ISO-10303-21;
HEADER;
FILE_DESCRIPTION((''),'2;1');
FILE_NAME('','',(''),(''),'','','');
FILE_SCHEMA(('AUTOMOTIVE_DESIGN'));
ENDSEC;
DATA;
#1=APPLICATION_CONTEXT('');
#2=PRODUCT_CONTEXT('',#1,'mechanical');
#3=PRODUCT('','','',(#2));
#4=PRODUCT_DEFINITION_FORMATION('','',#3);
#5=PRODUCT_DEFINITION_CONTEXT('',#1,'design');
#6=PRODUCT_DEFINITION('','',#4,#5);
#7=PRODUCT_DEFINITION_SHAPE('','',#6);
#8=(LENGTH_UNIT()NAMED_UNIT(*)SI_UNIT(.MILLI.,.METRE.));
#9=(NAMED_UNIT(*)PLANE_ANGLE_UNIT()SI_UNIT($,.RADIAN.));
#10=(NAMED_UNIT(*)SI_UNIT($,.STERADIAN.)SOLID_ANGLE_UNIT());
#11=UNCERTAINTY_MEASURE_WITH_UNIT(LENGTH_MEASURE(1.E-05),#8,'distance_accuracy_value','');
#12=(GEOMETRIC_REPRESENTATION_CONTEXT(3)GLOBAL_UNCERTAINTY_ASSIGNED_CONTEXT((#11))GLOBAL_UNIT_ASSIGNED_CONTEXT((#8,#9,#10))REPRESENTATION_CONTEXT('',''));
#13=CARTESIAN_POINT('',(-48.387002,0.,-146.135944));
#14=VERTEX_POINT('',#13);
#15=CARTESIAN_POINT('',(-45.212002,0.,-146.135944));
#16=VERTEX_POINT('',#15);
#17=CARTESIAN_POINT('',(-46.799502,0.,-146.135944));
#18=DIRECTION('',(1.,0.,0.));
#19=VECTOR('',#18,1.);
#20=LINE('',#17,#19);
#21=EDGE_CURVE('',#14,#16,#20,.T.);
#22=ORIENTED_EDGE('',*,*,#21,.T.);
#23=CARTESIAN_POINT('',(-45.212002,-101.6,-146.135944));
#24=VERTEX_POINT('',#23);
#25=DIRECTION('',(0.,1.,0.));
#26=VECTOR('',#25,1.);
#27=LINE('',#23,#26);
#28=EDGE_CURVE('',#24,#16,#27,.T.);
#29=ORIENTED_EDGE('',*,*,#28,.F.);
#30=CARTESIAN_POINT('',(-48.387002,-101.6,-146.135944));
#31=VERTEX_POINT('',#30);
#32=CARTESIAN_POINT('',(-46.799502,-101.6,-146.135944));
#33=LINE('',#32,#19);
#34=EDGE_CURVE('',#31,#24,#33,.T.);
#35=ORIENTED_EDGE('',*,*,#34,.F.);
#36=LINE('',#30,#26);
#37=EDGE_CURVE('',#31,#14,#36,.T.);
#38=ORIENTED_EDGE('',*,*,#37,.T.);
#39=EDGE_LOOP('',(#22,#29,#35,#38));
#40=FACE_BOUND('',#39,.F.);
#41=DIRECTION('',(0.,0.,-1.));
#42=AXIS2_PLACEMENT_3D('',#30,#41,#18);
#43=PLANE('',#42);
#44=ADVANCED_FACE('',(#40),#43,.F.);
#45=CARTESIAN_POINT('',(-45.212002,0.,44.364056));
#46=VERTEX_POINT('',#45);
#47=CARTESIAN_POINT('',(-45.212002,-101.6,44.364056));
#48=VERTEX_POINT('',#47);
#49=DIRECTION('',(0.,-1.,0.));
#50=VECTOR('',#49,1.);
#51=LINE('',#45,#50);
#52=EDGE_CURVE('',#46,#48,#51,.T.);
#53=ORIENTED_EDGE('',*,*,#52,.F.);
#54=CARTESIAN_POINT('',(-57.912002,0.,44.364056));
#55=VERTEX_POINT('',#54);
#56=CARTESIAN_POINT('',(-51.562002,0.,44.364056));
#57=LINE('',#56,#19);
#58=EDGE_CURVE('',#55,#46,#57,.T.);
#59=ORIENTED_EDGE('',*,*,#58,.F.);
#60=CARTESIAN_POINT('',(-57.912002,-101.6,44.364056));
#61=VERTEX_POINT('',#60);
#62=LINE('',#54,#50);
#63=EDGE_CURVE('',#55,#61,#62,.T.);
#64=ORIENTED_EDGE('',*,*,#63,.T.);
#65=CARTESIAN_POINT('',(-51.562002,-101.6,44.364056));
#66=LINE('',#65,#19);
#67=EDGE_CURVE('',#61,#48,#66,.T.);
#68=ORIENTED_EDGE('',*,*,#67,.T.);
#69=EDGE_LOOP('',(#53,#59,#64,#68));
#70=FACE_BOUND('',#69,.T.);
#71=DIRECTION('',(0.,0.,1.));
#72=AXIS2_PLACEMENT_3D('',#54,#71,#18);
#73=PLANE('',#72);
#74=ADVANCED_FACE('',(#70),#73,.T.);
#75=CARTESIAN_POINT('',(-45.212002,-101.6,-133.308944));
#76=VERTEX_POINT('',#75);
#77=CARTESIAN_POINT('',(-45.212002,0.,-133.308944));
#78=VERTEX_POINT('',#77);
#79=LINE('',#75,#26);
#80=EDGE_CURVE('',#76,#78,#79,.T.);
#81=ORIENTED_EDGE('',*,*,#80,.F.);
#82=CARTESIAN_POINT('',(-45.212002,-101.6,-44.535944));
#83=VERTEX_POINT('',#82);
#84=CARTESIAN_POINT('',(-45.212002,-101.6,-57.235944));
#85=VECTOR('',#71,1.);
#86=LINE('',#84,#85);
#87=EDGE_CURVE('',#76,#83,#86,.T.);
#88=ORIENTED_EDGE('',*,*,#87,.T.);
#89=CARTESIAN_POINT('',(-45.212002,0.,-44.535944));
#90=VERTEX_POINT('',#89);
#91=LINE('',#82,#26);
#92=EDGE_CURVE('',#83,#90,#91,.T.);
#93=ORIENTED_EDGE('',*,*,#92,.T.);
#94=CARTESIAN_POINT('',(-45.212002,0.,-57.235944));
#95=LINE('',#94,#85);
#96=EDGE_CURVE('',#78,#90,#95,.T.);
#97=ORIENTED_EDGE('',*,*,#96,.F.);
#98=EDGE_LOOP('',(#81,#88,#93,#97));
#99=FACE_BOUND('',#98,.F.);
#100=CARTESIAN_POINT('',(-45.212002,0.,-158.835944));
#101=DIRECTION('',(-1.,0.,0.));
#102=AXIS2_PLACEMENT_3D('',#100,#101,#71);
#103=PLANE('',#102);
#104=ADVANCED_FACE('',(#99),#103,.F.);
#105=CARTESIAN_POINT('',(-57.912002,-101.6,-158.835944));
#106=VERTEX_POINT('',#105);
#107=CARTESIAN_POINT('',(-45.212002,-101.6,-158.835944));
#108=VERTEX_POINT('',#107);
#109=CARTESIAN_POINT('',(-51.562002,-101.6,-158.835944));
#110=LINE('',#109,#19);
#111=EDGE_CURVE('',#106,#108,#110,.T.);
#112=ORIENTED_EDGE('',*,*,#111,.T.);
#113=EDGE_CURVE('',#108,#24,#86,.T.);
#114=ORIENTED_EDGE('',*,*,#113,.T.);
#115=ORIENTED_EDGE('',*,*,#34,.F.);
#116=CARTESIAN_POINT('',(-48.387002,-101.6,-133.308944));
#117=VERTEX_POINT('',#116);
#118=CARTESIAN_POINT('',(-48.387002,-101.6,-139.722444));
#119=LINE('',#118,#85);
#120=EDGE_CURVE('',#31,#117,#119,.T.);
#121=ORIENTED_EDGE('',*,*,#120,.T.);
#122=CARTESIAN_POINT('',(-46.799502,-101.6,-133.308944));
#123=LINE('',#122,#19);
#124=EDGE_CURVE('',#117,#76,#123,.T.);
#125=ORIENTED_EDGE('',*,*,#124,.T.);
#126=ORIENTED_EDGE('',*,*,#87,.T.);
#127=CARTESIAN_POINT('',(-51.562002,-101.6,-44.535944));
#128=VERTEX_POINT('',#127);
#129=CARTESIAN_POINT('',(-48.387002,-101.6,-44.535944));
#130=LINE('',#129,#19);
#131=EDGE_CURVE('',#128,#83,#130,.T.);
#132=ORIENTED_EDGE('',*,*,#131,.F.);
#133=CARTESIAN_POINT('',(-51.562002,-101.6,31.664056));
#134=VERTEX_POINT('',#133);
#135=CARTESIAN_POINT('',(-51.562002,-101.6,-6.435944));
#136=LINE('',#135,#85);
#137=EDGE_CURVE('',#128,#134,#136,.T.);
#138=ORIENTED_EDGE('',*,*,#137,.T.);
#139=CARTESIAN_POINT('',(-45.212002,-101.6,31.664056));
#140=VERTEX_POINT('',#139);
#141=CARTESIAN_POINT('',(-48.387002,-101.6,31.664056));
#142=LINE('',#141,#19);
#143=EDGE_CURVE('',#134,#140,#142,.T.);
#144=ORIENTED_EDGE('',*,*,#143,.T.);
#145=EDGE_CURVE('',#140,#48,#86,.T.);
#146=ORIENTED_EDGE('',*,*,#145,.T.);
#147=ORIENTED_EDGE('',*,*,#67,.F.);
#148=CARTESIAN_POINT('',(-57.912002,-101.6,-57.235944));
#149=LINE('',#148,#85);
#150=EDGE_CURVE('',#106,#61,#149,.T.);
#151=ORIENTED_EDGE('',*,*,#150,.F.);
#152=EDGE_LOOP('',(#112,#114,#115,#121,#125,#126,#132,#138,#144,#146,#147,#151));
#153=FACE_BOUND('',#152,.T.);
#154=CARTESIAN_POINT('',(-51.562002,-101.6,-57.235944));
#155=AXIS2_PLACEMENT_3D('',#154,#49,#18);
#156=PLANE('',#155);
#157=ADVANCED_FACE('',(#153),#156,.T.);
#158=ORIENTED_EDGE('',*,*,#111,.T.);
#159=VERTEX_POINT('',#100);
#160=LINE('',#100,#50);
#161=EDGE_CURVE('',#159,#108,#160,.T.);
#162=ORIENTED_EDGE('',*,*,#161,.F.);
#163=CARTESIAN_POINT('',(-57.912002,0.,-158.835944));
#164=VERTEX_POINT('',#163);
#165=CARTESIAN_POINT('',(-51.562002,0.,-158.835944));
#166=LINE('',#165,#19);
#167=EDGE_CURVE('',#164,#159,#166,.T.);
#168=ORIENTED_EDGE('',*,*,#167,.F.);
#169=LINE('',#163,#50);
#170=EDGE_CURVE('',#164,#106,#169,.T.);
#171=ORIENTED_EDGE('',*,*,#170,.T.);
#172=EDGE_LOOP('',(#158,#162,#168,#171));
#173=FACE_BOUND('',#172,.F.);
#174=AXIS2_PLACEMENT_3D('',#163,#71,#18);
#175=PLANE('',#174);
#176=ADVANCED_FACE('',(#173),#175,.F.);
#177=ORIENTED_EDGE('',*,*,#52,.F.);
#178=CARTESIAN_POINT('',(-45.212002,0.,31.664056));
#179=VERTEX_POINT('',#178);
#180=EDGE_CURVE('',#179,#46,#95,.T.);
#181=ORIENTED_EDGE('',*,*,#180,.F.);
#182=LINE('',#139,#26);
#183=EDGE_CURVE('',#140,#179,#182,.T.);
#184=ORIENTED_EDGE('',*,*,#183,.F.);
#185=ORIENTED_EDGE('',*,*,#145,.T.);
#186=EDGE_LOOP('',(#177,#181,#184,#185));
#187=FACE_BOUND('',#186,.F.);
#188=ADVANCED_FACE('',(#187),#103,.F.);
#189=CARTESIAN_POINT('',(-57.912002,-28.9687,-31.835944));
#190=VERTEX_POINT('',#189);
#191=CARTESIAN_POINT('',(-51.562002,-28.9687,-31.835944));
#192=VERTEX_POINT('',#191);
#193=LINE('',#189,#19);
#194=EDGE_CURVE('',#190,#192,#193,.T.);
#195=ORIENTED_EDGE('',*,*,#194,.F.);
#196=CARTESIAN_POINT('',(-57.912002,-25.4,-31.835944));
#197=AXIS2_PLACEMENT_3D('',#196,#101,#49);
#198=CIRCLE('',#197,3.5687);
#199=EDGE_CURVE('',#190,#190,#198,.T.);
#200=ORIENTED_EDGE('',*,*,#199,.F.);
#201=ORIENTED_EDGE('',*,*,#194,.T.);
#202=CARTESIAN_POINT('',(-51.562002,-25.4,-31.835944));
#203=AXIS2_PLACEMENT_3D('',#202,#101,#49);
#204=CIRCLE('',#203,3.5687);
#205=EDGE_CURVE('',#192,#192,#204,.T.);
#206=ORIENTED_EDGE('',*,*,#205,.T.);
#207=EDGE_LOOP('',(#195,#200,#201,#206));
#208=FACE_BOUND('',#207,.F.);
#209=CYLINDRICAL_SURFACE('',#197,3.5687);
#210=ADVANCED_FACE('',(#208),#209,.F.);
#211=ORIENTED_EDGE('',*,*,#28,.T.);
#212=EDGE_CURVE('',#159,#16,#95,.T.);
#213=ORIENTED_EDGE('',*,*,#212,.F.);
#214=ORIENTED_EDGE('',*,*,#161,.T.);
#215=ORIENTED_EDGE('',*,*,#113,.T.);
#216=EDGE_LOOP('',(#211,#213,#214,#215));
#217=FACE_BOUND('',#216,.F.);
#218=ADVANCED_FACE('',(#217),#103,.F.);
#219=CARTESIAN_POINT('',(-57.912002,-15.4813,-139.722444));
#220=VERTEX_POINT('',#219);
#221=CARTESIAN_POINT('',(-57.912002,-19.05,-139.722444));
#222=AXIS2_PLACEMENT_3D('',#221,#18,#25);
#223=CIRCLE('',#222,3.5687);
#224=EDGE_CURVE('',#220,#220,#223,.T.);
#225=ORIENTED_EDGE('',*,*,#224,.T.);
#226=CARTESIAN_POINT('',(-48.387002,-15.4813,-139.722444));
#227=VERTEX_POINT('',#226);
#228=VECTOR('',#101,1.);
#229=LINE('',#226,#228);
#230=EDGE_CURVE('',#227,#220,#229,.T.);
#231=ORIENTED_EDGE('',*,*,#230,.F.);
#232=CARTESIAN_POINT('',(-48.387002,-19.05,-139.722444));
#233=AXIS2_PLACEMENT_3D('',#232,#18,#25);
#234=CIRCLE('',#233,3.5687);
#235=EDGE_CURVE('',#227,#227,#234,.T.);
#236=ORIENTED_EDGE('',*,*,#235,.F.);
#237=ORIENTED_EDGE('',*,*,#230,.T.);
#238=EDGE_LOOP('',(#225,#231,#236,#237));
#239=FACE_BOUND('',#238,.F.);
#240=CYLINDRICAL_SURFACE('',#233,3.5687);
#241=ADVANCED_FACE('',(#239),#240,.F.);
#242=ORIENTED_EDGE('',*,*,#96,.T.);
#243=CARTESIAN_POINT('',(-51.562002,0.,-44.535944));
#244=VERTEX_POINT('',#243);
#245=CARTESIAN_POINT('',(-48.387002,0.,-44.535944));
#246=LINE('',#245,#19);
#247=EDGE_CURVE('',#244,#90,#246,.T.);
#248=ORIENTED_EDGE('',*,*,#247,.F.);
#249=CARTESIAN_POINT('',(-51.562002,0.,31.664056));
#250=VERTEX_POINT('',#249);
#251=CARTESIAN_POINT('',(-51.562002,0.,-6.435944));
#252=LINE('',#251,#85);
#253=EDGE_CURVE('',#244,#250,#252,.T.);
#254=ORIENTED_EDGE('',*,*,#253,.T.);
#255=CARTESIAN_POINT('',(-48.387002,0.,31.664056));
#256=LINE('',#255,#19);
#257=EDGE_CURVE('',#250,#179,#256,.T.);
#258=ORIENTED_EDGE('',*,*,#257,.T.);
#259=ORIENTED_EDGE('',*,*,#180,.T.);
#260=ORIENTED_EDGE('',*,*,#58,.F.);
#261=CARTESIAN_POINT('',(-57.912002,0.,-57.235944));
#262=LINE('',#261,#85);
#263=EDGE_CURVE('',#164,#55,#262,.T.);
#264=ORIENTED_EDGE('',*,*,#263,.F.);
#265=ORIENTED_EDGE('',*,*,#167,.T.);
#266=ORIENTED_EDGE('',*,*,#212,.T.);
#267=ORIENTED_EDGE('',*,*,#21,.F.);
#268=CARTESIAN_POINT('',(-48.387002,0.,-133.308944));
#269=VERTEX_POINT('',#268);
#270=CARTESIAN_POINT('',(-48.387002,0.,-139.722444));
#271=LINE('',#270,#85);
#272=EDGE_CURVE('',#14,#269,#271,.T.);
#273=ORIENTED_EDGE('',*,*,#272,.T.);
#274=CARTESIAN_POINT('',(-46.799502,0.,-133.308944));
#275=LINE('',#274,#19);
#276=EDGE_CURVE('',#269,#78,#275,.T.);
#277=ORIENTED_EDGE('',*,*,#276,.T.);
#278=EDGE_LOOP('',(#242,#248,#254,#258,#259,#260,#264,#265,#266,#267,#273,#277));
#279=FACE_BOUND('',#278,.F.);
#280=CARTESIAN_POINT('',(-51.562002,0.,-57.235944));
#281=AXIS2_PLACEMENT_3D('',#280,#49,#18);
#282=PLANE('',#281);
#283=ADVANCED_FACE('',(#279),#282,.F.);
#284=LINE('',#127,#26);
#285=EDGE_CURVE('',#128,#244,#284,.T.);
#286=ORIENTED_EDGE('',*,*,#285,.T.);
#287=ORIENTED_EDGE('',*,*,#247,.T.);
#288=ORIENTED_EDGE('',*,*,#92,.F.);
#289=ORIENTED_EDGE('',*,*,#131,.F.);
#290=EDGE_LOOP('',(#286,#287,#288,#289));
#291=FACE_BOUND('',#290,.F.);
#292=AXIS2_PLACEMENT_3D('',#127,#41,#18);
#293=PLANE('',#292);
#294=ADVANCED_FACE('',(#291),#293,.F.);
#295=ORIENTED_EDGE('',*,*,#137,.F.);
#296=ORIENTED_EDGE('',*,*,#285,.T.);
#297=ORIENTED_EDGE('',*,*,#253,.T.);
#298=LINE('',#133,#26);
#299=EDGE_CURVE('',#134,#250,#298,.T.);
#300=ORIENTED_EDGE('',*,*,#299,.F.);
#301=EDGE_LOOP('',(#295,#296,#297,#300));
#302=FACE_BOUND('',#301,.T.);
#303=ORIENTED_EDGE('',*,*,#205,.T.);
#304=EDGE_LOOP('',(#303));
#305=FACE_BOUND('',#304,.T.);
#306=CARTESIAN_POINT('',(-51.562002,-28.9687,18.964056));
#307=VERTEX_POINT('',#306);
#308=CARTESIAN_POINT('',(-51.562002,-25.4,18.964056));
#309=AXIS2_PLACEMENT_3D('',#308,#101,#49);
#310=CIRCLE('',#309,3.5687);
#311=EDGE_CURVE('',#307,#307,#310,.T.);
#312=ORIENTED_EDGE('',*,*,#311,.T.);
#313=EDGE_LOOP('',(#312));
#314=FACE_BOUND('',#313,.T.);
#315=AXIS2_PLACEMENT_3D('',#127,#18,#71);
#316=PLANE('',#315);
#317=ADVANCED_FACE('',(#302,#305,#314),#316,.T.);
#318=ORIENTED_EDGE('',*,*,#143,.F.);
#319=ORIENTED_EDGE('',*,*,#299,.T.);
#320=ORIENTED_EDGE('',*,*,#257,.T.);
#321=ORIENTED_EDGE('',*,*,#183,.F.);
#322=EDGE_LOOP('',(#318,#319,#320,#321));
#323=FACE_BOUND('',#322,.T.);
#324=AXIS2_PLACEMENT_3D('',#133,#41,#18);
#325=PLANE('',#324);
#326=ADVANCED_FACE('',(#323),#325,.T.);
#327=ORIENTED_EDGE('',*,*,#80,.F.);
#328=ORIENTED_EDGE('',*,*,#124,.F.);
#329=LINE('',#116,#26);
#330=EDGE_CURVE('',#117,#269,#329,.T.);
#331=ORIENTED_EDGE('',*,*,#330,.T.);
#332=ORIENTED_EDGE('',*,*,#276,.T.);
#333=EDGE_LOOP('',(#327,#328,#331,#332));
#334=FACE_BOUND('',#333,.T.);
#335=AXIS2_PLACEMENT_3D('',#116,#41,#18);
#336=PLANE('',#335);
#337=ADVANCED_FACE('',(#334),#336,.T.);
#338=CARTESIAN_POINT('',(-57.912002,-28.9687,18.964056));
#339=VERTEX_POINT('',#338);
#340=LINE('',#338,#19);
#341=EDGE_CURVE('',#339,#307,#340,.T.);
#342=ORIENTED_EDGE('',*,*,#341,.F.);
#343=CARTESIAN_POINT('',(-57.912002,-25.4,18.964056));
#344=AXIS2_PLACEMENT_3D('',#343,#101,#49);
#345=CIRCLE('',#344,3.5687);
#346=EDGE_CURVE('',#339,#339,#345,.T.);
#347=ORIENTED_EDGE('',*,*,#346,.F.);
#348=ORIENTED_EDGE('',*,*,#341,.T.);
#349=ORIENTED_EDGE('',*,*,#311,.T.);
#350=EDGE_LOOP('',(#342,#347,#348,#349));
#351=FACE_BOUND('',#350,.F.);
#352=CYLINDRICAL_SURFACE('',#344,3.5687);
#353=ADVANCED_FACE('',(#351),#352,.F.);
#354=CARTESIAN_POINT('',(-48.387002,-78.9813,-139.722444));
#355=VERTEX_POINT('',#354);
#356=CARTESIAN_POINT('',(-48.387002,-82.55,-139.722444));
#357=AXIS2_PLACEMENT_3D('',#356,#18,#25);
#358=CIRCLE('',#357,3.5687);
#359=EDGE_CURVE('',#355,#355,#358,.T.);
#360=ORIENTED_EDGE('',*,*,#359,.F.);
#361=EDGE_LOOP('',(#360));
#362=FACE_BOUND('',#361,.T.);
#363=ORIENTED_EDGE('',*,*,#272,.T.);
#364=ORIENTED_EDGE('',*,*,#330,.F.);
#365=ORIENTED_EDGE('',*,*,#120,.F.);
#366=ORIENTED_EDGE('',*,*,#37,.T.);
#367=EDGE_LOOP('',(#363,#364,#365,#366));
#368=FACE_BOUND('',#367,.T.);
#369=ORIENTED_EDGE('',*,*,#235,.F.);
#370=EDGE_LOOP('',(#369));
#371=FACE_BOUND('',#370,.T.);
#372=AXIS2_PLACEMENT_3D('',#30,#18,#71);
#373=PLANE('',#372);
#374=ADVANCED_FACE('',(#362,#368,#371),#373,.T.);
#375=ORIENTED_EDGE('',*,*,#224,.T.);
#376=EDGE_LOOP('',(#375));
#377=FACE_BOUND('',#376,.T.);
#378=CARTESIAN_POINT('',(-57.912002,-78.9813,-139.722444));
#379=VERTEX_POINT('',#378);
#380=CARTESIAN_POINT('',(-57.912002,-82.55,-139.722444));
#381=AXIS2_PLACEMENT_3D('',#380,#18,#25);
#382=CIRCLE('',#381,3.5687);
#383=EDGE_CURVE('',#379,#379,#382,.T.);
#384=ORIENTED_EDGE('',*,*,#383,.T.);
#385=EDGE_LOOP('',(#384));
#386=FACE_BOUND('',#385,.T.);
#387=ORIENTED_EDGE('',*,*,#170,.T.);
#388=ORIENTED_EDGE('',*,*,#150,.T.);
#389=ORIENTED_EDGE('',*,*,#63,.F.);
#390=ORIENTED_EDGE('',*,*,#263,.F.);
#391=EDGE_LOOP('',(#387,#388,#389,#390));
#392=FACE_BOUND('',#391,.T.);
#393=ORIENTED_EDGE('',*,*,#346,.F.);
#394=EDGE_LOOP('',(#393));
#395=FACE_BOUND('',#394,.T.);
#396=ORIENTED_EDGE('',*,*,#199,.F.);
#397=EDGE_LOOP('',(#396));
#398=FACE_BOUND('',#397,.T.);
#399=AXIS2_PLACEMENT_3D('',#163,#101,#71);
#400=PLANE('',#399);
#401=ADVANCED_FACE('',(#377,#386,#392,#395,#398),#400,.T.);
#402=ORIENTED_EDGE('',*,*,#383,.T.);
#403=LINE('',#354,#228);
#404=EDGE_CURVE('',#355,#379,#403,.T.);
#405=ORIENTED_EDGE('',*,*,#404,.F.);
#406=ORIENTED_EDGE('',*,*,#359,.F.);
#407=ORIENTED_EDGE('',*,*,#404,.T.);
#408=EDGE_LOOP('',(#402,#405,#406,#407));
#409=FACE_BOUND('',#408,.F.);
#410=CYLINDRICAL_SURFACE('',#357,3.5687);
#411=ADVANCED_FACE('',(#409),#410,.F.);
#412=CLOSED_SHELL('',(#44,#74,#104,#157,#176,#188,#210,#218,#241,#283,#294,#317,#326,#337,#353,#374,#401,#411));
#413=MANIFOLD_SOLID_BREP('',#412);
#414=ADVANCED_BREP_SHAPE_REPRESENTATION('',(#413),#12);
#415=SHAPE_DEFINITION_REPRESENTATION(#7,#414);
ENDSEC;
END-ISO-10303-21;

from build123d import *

# Parameters (mm, degrees)
F0_W     = 12.7
F0_H     = 203.2
F1_DEPTH = 101.6
F2_W     = 3.175
F2_H     = 12.827
F3_DEPTH = 101.6
F4_R     = 3.5687
F5_DEPTH = 9.525
F6_W     = 6.35
F6_H     = 76.2
F7_DEPTH = 101.6
F8_R     = 3.5687
F9_DEPTH = 6.35


with BuildPart() as f1:
    # F0 (on Front) → F1 (new body)
    with BuildSketch(Plane.XZ):
        with Locations((-51.562002, -57.235944)):
            Rectangle(F0_W, F0_H)
    extrude(amount=F1_DEPTH)

    # F2 (on face) → F3 (cut, through all)
    with BuildSketch(Plane.XZ.offset(101.6)):
        with Locations((-46.799502, -139.722444)):
            Rectangle(F2_W, F2_H)
    extrude(amount=-F3_DEPTH, mode=Mode.SUBTRACT)

    # F4 (on face) → F5 (cut, through all)
    with BuildSketch(Plane.YZ.offset(-48.387002)):
        with Locations((-82.55, -139.722444)):
            Circle(F4_R)
        with Locations((-19.05, -139.722444)):
            Circle(F4_R)
    extrude(amount=-F5_DEPTH, mode=Mode.SUBTRACT)

    # F6 (on face) → F7 (cut, through all)
    with BuildSketch(Plane.XZ.offset(101.6)):
        with Locations((-48.387002, -6.435944)):
            Rectangle(F6_W, F6_H)
    extrude(amount=-F7_DEPTH, mode=Mode.SUBTRACT)

    # F8 (on face) → F9 (cut, through all)
    with BuildSketch(Plane(origin=(-57.912002, 0, 0), x_dir=(0, -1, 0), z_dir=(-1, 0, 0))):
        with Locations((25.4, 18.964056)):
            Circle(F8_R)
        with Locations((25.4, -31.835944)):
            Circle(F8_R)
    extrude(amount=-F9_DEPTH, mode=Mode.SUBTRACT)


solid = f1.part
